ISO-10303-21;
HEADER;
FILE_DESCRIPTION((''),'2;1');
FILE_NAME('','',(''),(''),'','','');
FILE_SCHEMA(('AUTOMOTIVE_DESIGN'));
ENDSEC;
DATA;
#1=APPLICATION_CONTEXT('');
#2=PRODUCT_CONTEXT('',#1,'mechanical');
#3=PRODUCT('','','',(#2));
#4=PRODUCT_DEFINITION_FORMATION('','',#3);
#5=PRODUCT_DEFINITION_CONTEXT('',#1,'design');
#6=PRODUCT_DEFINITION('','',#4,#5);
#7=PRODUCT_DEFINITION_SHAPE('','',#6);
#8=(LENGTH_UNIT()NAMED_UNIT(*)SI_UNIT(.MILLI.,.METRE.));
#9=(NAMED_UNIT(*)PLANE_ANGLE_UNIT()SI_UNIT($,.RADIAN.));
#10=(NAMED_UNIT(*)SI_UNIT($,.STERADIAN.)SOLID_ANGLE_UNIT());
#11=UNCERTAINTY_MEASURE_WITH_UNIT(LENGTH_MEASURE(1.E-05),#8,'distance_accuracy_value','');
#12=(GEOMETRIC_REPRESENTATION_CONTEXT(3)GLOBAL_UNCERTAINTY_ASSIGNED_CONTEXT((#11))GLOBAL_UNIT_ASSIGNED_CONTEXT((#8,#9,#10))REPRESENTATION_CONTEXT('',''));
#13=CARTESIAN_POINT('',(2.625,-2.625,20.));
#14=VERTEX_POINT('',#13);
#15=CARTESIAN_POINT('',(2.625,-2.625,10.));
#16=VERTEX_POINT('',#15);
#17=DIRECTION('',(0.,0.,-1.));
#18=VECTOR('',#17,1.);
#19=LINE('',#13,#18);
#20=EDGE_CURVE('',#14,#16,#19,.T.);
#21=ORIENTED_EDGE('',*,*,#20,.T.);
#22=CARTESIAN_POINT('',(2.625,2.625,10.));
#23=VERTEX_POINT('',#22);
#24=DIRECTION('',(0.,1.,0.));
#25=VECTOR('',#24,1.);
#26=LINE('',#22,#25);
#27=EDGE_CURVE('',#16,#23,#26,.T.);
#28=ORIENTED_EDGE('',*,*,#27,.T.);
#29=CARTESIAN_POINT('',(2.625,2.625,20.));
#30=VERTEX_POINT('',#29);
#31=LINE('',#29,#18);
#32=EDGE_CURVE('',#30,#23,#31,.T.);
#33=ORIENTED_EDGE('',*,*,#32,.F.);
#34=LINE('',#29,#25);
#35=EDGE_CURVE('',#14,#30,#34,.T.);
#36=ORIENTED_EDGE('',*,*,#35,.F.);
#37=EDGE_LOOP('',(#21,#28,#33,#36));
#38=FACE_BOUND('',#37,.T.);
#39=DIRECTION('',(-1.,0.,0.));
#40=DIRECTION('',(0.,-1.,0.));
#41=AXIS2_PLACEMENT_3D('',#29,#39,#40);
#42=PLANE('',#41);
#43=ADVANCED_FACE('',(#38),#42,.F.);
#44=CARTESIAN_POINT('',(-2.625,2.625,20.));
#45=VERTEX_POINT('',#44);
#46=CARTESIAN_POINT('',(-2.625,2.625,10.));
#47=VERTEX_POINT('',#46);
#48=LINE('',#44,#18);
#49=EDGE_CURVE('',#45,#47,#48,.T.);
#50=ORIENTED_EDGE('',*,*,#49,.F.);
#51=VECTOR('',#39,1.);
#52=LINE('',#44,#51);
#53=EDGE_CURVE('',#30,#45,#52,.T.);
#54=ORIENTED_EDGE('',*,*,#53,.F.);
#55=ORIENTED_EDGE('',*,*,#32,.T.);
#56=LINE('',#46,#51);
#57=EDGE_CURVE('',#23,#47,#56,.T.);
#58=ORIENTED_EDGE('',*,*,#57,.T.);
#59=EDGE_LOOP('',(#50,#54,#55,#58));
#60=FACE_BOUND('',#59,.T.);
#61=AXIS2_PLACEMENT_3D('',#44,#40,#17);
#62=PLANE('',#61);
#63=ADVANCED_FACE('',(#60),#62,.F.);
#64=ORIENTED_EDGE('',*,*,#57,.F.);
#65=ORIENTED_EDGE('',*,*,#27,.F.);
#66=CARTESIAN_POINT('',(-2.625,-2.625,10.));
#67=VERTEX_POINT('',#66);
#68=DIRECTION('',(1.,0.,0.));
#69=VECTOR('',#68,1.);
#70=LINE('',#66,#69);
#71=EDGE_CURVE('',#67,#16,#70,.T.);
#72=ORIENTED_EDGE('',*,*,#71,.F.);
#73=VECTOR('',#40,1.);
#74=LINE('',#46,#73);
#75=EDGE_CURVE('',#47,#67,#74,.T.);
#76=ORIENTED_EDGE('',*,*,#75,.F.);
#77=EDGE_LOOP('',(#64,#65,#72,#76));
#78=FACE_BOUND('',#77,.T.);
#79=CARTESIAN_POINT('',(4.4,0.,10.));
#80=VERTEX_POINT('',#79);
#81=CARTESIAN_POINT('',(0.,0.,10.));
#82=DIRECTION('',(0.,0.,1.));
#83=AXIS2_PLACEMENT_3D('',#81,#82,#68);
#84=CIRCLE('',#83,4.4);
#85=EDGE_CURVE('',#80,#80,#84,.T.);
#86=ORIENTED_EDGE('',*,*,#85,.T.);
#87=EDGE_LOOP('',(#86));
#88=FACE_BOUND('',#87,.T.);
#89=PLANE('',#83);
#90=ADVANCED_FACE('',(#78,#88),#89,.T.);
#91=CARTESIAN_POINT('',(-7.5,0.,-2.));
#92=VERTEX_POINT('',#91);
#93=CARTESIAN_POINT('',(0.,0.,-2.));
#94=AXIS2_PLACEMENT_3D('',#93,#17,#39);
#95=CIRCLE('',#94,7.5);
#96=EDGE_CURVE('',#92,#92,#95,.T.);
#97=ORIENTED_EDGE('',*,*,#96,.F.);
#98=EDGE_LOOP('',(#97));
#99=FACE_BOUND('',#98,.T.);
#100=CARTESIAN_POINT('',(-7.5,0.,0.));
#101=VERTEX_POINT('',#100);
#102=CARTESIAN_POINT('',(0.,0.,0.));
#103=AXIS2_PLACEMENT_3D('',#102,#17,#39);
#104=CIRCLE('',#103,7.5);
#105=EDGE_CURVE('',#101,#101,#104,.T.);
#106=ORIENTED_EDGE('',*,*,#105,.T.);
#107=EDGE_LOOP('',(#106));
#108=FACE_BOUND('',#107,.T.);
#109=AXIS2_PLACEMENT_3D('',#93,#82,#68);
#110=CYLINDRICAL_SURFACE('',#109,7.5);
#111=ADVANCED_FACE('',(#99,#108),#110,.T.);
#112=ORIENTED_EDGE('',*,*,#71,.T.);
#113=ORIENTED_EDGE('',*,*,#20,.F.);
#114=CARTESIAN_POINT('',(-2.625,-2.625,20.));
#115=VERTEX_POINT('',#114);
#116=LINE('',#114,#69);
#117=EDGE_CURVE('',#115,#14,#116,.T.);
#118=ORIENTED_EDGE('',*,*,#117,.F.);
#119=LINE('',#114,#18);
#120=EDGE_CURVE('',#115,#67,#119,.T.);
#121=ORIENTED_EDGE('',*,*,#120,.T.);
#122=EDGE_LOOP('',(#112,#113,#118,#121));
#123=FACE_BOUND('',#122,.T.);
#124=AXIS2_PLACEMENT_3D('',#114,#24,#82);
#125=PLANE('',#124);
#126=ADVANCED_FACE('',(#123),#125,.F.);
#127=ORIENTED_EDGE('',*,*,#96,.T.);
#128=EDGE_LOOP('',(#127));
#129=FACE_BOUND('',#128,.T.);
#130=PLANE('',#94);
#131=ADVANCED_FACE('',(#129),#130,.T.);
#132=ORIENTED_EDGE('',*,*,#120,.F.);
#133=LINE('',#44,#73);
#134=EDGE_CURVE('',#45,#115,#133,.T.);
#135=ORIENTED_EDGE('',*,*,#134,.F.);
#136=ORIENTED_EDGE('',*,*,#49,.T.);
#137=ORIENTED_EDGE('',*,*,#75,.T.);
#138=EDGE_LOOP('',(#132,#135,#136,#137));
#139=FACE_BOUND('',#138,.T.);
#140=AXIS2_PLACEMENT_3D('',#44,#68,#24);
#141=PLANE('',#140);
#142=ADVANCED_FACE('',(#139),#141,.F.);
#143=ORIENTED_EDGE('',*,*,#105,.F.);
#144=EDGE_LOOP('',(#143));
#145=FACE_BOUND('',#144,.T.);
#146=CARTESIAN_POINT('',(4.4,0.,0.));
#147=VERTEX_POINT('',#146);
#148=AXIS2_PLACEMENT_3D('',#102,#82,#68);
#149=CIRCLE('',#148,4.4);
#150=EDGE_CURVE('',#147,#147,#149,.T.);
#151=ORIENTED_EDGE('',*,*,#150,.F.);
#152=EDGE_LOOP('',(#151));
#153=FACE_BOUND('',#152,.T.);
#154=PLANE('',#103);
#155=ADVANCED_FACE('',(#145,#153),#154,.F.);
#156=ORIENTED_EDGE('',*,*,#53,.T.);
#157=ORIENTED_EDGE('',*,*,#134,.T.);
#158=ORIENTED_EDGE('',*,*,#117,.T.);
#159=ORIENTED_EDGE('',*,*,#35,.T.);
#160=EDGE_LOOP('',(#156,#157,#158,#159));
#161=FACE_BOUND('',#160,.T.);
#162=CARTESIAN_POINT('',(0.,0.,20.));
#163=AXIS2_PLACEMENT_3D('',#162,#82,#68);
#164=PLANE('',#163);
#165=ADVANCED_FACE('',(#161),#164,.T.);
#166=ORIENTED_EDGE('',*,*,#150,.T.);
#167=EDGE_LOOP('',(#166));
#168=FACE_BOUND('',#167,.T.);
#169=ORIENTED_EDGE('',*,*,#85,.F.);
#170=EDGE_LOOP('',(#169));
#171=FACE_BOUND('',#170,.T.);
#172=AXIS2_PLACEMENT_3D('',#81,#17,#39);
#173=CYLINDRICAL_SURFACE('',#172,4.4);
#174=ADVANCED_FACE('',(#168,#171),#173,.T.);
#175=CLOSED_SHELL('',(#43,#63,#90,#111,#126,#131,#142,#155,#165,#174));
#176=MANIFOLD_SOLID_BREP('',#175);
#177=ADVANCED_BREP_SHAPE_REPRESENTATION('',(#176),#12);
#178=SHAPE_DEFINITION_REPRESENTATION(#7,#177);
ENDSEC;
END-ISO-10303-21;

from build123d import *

# Parameters (mm, degrees)
SKETCH1_R           = 4.4
BOSS_EXTRUDE1_DEPTH = 10
SKETCH2_W           = 5.25
SKETCH2_H           = 5.25
BOSS_EXTRUDE2_DEPTH = 10
SKETCH3_R           = 7.5
BOSS_EXTRUDE3_DEPTH = 2


with BuildPart() as part:
    # Sketch1 → Boss-Extrude1 (new body)
    with BuildSketch(Plane.XY):
        Circle(SKETCH1_R)
    extrude(amount=BOSS_EXTRUDE1_DEPTH)

    # Sketch2 → Boss-Extrude2 (add)
    with BuildSketch(Plane.XY.offset(10)):
        Rectangle(SKETCH2_W, SKETCH2_H)
    extrude(amount=BOSS_EXTRUDE2_DEPTH)

    # Sketch3 → Boss-Extrude3 (add)
    with BuildSketch(Plane(origin=(0, 0, 0), x_dir=(-1, 0, 0), z_dir=(0, 0, -1))):
        Circle(SKETCH3_R)
    extrude(amount=BOSS_EXTRUDE3_DEPTH)


solid = part.part
